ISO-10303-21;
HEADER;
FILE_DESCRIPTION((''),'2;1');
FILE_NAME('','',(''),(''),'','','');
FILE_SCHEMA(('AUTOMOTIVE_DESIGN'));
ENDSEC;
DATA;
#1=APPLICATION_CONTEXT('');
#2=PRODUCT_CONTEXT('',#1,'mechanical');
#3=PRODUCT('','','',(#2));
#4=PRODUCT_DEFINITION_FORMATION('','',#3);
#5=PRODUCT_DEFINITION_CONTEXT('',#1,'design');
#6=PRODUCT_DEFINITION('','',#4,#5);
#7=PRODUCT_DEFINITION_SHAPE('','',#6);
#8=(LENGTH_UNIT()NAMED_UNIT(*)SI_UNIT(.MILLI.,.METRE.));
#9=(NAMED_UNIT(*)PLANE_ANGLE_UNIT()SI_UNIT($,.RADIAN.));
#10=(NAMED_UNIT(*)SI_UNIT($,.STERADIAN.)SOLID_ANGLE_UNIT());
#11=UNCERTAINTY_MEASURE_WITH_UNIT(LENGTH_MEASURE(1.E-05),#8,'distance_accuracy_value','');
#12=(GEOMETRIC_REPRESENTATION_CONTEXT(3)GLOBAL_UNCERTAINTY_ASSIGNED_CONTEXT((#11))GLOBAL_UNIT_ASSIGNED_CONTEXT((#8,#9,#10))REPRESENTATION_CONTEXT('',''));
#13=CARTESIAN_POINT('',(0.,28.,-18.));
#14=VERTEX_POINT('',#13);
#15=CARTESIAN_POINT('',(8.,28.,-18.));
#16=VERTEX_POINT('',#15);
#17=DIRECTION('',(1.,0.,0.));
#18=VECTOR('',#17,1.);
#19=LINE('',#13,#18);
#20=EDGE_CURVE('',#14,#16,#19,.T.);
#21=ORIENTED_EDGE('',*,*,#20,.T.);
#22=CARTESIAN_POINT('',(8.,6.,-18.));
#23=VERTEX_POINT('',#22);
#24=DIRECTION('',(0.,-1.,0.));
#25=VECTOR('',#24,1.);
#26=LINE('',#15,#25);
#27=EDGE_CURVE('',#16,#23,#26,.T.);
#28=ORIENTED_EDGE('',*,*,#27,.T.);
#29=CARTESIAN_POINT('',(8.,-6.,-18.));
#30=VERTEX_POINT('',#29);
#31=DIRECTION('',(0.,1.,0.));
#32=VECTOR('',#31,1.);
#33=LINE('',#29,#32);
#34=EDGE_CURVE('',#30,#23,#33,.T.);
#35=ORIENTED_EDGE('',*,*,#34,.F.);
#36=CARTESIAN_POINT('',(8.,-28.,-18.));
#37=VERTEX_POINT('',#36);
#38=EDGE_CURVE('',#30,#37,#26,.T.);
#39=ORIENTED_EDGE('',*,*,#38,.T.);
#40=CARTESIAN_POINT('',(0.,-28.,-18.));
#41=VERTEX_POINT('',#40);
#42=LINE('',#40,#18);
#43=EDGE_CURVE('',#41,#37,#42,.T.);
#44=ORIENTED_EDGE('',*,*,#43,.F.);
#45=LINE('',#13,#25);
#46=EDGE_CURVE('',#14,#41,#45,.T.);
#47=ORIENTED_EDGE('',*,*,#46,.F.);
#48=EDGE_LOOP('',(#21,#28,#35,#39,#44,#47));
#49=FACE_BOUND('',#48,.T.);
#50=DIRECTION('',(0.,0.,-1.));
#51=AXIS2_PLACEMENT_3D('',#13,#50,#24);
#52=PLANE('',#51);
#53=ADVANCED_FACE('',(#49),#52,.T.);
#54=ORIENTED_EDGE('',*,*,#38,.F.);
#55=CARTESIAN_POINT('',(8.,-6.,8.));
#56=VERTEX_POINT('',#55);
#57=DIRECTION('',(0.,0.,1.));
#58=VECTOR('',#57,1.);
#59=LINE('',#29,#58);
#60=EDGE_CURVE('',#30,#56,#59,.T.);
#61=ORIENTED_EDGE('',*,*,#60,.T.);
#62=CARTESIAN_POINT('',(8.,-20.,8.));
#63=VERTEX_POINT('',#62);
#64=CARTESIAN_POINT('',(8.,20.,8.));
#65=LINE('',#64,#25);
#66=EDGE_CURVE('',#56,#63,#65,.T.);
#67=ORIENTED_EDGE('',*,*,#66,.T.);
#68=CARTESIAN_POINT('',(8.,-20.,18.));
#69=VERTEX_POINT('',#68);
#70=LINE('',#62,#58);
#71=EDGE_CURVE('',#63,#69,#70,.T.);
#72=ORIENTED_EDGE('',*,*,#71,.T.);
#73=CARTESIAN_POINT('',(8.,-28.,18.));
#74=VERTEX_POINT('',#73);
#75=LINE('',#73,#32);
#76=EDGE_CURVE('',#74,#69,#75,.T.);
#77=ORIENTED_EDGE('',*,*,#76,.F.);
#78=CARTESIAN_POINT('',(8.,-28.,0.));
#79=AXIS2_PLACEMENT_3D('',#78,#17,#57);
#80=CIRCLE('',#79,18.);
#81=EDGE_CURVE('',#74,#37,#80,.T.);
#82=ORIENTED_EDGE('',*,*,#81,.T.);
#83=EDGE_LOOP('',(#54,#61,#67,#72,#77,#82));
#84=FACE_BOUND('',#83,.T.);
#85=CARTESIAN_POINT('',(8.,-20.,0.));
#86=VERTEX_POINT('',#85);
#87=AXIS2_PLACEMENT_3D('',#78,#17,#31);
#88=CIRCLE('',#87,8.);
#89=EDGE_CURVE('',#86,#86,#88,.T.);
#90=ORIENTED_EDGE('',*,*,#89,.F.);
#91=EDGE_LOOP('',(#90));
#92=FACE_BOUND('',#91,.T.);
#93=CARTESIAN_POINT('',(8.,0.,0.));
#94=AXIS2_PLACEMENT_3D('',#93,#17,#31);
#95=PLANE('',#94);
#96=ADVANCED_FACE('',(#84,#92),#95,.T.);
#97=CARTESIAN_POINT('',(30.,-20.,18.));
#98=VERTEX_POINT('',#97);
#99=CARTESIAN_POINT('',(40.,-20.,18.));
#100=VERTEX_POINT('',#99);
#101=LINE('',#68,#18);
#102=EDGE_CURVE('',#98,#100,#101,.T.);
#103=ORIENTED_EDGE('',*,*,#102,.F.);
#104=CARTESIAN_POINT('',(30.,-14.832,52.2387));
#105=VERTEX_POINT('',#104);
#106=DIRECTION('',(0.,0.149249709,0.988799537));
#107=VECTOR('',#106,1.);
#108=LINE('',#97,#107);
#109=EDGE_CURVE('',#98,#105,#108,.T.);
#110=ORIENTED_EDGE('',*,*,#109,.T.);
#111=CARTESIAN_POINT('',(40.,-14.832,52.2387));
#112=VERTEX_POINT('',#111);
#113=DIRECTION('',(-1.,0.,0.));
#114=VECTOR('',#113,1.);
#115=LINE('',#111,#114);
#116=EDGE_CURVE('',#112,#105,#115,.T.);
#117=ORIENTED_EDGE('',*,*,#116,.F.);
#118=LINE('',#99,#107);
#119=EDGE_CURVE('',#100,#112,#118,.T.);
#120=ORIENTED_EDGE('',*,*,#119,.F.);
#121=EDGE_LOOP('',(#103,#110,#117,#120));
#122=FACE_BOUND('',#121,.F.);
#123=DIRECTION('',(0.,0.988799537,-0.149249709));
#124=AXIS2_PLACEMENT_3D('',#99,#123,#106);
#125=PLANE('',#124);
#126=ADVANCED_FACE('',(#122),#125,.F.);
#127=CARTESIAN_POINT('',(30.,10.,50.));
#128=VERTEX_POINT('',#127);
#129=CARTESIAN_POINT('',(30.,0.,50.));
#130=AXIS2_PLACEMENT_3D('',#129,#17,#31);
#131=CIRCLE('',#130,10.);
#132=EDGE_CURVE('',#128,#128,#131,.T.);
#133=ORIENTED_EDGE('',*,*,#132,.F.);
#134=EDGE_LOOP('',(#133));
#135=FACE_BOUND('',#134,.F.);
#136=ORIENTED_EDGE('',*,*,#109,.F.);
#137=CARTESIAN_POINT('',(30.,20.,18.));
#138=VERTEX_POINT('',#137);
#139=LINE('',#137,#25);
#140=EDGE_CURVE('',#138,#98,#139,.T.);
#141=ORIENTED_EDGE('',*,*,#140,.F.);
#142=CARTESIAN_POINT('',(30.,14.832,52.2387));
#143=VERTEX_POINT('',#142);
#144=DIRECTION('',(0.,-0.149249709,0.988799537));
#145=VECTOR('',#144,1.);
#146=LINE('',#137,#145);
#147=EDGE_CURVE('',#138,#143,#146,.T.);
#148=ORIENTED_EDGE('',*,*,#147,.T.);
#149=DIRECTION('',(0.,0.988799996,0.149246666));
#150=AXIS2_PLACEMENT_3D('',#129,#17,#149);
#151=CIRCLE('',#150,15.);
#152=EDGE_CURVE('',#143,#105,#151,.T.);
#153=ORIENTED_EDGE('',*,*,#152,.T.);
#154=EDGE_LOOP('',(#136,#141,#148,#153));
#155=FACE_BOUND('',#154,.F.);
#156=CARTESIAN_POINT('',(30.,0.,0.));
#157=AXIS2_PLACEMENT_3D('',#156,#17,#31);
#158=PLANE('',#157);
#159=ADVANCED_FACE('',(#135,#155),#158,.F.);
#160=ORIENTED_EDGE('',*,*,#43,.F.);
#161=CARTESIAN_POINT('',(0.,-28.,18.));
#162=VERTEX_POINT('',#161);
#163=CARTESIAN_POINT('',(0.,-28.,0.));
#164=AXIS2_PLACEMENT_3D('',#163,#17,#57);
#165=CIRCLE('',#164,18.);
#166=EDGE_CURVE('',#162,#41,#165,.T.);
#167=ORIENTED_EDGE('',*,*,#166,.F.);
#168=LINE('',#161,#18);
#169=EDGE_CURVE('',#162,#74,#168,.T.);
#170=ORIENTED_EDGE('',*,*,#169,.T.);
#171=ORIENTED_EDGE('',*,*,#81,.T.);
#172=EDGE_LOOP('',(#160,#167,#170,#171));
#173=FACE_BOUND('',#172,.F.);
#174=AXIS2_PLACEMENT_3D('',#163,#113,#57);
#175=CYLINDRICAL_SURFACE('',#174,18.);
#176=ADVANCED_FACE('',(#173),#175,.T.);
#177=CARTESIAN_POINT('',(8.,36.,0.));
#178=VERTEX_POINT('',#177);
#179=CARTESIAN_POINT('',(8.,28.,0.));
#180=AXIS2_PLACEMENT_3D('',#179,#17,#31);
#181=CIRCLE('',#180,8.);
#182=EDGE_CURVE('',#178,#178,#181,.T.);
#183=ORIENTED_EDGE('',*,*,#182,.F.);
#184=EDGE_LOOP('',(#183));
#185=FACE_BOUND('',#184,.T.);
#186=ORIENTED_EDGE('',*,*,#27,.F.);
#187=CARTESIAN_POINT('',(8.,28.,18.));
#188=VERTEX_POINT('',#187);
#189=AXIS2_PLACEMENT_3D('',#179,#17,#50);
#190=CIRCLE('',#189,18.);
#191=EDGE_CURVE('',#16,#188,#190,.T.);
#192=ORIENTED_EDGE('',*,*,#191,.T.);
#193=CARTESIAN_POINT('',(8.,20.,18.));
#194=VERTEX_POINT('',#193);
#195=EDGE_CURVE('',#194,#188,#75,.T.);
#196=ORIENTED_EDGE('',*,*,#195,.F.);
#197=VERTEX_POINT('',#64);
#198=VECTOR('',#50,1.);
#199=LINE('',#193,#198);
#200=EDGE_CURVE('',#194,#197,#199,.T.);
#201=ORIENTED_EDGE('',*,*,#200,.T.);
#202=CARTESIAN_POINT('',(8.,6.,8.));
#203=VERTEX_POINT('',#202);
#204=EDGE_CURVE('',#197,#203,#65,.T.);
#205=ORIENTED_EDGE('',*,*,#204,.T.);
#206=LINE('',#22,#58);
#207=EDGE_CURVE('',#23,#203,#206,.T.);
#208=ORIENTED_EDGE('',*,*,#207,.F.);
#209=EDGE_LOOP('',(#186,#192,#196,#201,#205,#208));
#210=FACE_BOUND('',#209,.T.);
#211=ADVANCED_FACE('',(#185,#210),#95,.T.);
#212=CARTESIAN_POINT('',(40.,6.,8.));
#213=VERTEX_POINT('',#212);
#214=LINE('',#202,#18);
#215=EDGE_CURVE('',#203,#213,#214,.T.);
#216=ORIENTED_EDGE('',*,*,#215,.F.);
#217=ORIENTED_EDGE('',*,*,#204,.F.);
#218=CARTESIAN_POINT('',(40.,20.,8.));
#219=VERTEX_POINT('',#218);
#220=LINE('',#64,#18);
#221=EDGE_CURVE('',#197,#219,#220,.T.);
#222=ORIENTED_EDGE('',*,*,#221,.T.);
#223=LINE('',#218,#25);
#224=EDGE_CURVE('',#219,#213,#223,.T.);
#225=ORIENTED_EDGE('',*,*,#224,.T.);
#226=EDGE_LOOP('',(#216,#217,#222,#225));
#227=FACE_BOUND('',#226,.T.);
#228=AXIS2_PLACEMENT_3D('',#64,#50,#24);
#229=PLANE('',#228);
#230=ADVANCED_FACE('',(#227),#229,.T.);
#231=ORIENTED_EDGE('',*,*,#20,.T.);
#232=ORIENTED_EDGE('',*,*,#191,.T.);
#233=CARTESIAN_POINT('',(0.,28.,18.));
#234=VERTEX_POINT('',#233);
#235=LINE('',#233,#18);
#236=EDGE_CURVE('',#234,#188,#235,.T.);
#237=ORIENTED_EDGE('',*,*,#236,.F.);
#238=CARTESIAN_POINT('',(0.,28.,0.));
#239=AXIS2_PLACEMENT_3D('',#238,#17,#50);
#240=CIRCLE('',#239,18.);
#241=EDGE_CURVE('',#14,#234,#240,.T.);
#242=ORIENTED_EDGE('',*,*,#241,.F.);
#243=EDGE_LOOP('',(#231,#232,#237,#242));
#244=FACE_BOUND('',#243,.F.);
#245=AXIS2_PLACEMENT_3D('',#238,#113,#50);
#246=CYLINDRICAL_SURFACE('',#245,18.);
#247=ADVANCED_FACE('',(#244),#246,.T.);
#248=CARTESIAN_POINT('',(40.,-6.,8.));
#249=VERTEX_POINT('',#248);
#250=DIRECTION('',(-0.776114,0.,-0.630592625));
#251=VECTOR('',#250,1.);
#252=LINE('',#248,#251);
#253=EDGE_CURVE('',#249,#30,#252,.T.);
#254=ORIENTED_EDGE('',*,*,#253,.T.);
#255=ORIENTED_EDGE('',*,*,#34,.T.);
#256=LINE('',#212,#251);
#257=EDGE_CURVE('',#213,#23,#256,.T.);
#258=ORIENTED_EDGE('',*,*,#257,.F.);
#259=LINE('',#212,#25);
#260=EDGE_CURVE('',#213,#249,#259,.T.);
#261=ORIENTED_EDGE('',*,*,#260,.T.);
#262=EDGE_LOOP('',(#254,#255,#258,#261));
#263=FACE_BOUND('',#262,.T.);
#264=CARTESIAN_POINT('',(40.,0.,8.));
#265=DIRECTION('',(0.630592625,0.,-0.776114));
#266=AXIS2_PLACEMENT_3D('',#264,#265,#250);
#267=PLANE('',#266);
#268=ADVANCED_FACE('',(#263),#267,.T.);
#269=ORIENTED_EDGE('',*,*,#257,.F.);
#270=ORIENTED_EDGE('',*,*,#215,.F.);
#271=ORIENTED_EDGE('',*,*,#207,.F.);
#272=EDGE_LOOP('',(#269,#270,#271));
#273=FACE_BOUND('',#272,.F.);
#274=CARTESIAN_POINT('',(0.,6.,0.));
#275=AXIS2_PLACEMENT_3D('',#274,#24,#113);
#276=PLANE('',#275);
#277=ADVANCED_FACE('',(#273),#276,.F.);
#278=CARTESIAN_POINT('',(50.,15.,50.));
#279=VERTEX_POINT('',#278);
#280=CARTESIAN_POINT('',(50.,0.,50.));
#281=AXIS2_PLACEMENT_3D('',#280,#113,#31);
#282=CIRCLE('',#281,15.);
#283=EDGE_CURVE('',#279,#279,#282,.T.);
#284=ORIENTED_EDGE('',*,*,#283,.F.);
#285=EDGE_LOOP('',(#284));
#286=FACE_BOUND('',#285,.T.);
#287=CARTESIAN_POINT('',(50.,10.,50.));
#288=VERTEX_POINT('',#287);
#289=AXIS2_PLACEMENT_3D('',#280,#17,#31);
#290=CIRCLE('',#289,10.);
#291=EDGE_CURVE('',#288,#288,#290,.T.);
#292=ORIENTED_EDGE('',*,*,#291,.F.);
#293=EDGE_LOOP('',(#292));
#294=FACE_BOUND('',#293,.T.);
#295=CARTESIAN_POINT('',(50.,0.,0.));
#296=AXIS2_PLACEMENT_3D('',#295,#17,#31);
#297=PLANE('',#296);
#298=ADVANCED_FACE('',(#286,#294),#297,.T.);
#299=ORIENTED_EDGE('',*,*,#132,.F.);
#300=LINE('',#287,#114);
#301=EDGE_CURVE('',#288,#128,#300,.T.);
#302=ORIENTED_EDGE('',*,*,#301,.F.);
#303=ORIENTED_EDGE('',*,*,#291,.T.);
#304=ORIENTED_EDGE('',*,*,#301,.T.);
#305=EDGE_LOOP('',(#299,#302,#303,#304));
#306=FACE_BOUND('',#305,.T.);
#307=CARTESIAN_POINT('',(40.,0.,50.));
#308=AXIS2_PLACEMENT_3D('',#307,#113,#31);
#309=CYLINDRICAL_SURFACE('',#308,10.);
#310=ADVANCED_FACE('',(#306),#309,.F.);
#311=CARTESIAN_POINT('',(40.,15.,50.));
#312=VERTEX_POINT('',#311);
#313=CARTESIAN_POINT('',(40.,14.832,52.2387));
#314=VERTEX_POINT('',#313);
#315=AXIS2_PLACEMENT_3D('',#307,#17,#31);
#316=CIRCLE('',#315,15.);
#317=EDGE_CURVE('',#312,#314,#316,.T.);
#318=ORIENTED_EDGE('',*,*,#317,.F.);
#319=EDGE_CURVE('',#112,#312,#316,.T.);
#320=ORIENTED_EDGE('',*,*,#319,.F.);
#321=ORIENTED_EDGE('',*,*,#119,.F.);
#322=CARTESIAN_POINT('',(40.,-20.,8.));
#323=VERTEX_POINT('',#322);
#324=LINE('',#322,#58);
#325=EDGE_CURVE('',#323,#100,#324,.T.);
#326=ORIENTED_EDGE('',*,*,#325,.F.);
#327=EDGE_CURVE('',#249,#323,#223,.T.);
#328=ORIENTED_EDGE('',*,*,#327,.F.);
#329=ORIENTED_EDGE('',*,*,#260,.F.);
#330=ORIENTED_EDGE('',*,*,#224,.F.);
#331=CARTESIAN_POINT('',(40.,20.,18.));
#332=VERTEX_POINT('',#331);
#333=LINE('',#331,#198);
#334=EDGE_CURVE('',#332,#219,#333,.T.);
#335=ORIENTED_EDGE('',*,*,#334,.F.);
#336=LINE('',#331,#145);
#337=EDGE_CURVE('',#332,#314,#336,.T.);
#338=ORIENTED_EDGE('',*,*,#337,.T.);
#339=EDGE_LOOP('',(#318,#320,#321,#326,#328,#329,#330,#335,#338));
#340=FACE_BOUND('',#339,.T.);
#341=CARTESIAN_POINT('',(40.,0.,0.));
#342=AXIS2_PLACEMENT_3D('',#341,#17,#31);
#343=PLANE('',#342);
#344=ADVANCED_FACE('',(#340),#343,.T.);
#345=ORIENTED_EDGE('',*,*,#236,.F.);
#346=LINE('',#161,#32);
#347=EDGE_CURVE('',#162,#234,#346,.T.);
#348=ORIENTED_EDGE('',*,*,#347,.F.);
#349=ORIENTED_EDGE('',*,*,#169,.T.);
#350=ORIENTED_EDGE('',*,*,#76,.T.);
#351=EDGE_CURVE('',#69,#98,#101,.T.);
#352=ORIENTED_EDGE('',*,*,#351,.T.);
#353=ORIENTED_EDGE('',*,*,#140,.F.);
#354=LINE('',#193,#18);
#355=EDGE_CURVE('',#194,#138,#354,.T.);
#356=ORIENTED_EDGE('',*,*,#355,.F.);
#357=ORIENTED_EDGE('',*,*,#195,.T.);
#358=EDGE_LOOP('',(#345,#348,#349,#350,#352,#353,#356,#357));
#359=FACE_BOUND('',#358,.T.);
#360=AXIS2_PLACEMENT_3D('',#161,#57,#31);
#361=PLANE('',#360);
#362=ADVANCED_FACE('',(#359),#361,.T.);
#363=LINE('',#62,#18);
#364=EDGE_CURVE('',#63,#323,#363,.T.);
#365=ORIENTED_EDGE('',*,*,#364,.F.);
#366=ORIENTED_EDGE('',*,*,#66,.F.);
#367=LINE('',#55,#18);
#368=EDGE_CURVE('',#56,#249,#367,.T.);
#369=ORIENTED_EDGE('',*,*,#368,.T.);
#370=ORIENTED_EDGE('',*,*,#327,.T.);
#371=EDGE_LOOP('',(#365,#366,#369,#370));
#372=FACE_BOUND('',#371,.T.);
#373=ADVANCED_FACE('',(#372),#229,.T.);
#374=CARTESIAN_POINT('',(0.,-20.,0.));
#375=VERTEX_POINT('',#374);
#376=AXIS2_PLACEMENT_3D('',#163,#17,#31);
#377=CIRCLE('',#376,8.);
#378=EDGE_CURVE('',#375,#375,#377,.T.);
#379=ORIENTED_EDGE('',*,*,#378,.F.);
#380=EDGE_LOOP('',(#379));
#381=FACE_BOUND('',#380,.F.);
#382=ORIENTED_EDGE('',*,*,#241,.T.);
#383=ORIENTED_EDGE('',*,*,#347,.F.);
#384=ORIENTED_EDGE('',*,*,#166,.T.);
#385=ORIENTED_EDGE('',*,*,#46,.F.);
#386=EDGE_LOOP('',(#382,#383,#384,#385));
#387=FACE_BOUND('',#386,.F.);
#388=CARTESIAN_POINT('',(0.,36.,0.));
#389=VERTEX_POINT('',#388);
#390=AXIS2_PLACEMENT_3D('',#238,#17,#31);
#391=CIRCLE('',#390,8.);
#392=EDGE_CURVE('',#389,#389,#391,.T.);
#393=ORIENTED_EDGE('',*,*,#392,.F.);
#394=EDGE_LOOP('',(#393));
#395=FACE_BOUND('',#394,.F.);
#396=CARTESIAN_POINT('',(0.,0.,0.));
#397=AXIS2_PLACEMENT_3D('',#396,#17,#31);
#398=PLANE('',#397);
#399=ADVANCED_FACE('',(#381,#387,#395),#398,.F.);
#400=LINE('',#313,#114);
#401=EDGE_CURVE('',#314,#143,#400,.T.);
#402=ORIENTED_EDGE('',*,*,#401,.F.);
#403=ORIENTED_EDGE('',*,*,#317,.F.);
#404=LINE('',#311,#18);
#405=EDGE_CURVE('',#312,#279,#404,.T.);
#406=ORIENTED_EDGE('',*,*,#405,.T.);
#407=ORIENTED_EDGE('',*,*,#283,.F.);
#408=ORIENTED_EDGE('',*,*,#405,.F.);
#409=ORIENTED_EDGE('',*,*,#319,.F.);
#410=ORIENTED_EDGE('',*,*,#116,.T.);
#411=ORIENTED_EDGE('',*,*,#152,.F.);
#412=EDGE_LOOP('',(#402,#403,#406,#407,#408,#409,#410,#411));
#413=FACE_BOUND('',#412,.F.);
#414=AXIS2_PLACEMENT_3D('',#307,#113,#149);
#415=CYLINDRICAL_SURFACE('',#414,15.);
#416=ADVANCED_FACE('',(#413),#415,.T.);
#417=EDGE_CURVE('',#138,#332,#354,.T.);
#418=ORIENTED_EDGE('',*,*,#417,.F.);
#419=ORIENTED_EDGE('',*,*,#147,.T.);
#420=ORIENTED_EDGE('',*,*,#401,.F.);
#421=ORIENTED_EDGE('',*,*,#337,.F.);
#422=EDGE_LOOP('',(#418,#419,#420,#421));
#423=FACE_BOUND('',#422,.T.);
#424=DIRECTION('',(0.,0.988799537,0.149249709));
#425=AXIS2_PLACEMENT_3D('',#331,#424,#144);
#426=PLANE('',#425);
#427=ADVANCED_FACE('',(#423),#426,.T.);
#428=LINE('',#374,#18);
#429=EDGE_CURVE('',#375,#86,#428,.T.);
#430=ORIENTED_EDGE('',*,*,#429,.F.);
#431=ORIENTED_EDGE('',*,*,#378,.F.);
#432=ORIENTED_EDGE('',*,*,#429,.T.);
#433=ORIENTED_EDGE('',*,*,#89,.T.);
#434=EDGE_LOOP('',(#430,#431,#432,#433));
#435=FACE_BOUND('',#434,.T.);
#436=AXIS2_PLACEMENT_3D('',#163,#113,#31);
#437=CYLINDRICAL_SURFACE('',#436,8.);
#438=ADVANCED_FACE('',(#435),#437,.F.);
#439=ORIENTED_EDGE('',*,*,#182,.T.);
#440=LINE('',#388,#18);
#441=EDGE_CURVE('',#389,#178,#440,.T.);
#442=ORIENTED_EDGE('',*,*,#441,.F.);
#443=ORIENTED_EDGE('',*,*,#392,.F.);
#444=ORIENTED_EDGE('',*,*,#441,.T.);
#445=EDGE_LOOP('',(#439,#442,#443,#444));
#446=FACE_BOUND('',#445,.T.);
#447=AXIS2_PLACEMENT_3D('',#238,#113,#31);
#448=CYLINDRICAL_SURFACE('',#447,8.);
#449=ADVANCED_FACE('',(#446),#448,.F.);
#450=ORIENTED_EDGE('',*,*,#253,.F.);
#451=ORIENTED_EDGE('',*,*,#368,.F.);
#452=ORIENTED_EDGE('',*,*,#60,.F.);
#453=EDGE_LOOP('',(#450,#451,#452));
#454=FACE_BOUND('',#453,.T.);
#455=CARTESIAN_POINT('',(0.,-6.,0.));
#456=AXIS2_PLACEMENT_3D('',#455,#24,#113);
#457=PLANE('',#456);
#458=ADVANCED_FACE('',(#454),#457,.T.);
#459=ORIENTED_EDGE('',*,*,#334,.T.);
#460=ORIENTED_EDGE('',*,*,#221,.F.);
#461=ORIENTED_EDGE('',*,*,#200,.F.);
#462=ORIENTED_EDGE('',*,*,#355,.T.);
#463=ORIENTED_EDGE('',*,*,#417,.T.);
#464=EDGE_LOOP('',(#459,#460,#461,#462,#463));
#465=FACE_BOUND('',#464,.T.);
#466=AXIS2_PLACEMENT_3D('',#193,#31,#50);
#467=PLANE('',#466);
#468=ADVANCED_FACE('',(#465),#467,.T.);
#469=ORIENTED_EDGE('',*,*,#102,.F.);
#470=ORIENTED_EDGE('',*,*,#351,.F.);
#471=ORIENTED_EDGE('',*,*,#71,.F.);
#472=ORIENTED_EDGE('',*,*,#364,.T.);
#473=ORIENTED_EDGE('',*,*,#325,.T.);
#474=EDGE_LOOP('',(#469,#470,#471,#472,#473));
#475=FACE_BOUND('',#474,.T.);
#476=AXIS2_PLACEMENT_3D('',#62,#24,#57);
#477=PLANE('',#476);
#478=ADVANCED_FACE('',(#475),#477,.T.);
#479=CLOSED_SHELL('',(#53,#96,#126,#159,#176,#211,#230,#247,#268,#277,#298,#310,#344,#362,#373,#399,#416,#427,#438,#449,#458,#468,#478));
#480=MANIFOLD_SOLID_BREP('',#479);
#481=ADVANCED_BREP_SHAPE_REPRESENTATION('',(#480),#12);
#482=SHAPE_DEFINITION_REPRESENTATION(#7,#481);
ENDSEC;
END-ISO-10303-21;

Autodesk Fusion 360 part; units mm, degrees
sketch "Sketch1" plane through (0, 0, 0) normal (1, 0, 0) x (0, 1, 0)
  line L0 (28, -18) -> (-28, -18)
  line L1 (-28, 18) -> (28, 18)
  line L2 (28, -18) -> (-28, 18) construction
  line L3 (-28, -18) -> (28, 18) construction
  circle A0 centre (-28, 0) radius 8
  circle A1 centre (28, 0) radius 8
  arc A2 (-28, 18) -> (-28, -18) centre (-28, 0) ccw
  arc A3 (28, -18) -> (28, 18) centre (28, 0) ccw
  dimension "d1" = 56
  dimension "d2" = 36
  dimension "d3" = 36
  dimension "d4" = 36
  dimension "d5" = 16
  dimension "d6" = 16
extrude "Extrude1" add sketch "Sketch1" along normal blind 8
sketch "Sketch2" plane through (8, 0, 0) normal (1, 0, 0) x (0, 1, 0)
  circle A0 centre (-28, 0) radius 8
  circle A1 centre (28, 0) radius 8
  arc A2 (-28, 18) -> (-28, -18) centre (-28, 0) ccw
  line L0 (-28, -18) -> (28, -18)
  arc A3 (28, -18) -> (28, 18) centre (28, 0) ccw
  line L1 (28, 18) -> (-28, 18)
  line L2 (20, 8) -> (-20, 8)
  line L3 (-20, 8) -> (-20, 18)
  line L4 (20, 18) -> (20, 8)
extrude "Extrude2" add sketch "Sketch2" along normal blind 32 contours L1 L2 L3 L4
sketch "Sketch3" plane through (40, 0, 0) normal (1, 0, 0) x (0, 1, 0)
  line L0 (20, 18) -> (-20, 18)
  line L1 (-20, 18) -> (-20, 8)
  line L2 (-20, 8) -> (20, 8)
  line L3 (20, 8) -> (20, 18)
  circle A0 centre (0, 50) radius 10
  line L4 (-20, 18) -> (-14.832, 52.2387)
  line L5 (20, 18) -> (14.832, 52.2387)
  arc A1 (14.832, 52.2387) -> (-14.832, 52.2387) centre (0, 50) ccw
  dimension "d12" = 30
  dimension "d13" = 20
  dimension "d14" = 32
extrude "Extrude3" add sketch "Sketch3" against normal blind 10 contours L0 L4 L5 A1
sketch "Sketch4" plane through (40, 0, 0) normal (1, 0, 0) x (0, 1, 0)
  circle A0 centre (0, 50) radius 10
  line L0 (-20, 18) -> (-20, 8)
  line L1 (-20, 8) -> (20, 8)
  line L2 (20, 8) -> (20, 18)
  line L3 (20, 18) -> (14.832, 52.2387)
  arc A1 (14.832, 52.2387) -> (-14.832, 52.2387) centre (0, 50) ccw
  line L4 (-14.832, 52.2387) -> (-20, 18)
  circle A2 centre (0, 50) radius 15
  dimension "d17" = 30
extrude "Extrude4" add sketch "Sketch4" along normal blind 10 contours A1 A2
ref_plane "WorkPlane1" through (24, 0, 13) normal (0, -1, 0) x (0, 0, -1)
sketch "Sketch5" plane through (0, 0, 0) normal (0, -1, 0) x (-1, 0, 0)
  line L0 (-40, -8) -> (-8, 18)
  line L1 (-8, 18) -> (-8, -8)
  line L2 (-8, -8) -> (-40, -8)
  point P0 (-40, -8)
  point P1 (-8, -8)
  point P2 (-8, 18)
extrude "Extrude5" add sketch "Sketch5" along normal blind 6 and the other way blind 6
